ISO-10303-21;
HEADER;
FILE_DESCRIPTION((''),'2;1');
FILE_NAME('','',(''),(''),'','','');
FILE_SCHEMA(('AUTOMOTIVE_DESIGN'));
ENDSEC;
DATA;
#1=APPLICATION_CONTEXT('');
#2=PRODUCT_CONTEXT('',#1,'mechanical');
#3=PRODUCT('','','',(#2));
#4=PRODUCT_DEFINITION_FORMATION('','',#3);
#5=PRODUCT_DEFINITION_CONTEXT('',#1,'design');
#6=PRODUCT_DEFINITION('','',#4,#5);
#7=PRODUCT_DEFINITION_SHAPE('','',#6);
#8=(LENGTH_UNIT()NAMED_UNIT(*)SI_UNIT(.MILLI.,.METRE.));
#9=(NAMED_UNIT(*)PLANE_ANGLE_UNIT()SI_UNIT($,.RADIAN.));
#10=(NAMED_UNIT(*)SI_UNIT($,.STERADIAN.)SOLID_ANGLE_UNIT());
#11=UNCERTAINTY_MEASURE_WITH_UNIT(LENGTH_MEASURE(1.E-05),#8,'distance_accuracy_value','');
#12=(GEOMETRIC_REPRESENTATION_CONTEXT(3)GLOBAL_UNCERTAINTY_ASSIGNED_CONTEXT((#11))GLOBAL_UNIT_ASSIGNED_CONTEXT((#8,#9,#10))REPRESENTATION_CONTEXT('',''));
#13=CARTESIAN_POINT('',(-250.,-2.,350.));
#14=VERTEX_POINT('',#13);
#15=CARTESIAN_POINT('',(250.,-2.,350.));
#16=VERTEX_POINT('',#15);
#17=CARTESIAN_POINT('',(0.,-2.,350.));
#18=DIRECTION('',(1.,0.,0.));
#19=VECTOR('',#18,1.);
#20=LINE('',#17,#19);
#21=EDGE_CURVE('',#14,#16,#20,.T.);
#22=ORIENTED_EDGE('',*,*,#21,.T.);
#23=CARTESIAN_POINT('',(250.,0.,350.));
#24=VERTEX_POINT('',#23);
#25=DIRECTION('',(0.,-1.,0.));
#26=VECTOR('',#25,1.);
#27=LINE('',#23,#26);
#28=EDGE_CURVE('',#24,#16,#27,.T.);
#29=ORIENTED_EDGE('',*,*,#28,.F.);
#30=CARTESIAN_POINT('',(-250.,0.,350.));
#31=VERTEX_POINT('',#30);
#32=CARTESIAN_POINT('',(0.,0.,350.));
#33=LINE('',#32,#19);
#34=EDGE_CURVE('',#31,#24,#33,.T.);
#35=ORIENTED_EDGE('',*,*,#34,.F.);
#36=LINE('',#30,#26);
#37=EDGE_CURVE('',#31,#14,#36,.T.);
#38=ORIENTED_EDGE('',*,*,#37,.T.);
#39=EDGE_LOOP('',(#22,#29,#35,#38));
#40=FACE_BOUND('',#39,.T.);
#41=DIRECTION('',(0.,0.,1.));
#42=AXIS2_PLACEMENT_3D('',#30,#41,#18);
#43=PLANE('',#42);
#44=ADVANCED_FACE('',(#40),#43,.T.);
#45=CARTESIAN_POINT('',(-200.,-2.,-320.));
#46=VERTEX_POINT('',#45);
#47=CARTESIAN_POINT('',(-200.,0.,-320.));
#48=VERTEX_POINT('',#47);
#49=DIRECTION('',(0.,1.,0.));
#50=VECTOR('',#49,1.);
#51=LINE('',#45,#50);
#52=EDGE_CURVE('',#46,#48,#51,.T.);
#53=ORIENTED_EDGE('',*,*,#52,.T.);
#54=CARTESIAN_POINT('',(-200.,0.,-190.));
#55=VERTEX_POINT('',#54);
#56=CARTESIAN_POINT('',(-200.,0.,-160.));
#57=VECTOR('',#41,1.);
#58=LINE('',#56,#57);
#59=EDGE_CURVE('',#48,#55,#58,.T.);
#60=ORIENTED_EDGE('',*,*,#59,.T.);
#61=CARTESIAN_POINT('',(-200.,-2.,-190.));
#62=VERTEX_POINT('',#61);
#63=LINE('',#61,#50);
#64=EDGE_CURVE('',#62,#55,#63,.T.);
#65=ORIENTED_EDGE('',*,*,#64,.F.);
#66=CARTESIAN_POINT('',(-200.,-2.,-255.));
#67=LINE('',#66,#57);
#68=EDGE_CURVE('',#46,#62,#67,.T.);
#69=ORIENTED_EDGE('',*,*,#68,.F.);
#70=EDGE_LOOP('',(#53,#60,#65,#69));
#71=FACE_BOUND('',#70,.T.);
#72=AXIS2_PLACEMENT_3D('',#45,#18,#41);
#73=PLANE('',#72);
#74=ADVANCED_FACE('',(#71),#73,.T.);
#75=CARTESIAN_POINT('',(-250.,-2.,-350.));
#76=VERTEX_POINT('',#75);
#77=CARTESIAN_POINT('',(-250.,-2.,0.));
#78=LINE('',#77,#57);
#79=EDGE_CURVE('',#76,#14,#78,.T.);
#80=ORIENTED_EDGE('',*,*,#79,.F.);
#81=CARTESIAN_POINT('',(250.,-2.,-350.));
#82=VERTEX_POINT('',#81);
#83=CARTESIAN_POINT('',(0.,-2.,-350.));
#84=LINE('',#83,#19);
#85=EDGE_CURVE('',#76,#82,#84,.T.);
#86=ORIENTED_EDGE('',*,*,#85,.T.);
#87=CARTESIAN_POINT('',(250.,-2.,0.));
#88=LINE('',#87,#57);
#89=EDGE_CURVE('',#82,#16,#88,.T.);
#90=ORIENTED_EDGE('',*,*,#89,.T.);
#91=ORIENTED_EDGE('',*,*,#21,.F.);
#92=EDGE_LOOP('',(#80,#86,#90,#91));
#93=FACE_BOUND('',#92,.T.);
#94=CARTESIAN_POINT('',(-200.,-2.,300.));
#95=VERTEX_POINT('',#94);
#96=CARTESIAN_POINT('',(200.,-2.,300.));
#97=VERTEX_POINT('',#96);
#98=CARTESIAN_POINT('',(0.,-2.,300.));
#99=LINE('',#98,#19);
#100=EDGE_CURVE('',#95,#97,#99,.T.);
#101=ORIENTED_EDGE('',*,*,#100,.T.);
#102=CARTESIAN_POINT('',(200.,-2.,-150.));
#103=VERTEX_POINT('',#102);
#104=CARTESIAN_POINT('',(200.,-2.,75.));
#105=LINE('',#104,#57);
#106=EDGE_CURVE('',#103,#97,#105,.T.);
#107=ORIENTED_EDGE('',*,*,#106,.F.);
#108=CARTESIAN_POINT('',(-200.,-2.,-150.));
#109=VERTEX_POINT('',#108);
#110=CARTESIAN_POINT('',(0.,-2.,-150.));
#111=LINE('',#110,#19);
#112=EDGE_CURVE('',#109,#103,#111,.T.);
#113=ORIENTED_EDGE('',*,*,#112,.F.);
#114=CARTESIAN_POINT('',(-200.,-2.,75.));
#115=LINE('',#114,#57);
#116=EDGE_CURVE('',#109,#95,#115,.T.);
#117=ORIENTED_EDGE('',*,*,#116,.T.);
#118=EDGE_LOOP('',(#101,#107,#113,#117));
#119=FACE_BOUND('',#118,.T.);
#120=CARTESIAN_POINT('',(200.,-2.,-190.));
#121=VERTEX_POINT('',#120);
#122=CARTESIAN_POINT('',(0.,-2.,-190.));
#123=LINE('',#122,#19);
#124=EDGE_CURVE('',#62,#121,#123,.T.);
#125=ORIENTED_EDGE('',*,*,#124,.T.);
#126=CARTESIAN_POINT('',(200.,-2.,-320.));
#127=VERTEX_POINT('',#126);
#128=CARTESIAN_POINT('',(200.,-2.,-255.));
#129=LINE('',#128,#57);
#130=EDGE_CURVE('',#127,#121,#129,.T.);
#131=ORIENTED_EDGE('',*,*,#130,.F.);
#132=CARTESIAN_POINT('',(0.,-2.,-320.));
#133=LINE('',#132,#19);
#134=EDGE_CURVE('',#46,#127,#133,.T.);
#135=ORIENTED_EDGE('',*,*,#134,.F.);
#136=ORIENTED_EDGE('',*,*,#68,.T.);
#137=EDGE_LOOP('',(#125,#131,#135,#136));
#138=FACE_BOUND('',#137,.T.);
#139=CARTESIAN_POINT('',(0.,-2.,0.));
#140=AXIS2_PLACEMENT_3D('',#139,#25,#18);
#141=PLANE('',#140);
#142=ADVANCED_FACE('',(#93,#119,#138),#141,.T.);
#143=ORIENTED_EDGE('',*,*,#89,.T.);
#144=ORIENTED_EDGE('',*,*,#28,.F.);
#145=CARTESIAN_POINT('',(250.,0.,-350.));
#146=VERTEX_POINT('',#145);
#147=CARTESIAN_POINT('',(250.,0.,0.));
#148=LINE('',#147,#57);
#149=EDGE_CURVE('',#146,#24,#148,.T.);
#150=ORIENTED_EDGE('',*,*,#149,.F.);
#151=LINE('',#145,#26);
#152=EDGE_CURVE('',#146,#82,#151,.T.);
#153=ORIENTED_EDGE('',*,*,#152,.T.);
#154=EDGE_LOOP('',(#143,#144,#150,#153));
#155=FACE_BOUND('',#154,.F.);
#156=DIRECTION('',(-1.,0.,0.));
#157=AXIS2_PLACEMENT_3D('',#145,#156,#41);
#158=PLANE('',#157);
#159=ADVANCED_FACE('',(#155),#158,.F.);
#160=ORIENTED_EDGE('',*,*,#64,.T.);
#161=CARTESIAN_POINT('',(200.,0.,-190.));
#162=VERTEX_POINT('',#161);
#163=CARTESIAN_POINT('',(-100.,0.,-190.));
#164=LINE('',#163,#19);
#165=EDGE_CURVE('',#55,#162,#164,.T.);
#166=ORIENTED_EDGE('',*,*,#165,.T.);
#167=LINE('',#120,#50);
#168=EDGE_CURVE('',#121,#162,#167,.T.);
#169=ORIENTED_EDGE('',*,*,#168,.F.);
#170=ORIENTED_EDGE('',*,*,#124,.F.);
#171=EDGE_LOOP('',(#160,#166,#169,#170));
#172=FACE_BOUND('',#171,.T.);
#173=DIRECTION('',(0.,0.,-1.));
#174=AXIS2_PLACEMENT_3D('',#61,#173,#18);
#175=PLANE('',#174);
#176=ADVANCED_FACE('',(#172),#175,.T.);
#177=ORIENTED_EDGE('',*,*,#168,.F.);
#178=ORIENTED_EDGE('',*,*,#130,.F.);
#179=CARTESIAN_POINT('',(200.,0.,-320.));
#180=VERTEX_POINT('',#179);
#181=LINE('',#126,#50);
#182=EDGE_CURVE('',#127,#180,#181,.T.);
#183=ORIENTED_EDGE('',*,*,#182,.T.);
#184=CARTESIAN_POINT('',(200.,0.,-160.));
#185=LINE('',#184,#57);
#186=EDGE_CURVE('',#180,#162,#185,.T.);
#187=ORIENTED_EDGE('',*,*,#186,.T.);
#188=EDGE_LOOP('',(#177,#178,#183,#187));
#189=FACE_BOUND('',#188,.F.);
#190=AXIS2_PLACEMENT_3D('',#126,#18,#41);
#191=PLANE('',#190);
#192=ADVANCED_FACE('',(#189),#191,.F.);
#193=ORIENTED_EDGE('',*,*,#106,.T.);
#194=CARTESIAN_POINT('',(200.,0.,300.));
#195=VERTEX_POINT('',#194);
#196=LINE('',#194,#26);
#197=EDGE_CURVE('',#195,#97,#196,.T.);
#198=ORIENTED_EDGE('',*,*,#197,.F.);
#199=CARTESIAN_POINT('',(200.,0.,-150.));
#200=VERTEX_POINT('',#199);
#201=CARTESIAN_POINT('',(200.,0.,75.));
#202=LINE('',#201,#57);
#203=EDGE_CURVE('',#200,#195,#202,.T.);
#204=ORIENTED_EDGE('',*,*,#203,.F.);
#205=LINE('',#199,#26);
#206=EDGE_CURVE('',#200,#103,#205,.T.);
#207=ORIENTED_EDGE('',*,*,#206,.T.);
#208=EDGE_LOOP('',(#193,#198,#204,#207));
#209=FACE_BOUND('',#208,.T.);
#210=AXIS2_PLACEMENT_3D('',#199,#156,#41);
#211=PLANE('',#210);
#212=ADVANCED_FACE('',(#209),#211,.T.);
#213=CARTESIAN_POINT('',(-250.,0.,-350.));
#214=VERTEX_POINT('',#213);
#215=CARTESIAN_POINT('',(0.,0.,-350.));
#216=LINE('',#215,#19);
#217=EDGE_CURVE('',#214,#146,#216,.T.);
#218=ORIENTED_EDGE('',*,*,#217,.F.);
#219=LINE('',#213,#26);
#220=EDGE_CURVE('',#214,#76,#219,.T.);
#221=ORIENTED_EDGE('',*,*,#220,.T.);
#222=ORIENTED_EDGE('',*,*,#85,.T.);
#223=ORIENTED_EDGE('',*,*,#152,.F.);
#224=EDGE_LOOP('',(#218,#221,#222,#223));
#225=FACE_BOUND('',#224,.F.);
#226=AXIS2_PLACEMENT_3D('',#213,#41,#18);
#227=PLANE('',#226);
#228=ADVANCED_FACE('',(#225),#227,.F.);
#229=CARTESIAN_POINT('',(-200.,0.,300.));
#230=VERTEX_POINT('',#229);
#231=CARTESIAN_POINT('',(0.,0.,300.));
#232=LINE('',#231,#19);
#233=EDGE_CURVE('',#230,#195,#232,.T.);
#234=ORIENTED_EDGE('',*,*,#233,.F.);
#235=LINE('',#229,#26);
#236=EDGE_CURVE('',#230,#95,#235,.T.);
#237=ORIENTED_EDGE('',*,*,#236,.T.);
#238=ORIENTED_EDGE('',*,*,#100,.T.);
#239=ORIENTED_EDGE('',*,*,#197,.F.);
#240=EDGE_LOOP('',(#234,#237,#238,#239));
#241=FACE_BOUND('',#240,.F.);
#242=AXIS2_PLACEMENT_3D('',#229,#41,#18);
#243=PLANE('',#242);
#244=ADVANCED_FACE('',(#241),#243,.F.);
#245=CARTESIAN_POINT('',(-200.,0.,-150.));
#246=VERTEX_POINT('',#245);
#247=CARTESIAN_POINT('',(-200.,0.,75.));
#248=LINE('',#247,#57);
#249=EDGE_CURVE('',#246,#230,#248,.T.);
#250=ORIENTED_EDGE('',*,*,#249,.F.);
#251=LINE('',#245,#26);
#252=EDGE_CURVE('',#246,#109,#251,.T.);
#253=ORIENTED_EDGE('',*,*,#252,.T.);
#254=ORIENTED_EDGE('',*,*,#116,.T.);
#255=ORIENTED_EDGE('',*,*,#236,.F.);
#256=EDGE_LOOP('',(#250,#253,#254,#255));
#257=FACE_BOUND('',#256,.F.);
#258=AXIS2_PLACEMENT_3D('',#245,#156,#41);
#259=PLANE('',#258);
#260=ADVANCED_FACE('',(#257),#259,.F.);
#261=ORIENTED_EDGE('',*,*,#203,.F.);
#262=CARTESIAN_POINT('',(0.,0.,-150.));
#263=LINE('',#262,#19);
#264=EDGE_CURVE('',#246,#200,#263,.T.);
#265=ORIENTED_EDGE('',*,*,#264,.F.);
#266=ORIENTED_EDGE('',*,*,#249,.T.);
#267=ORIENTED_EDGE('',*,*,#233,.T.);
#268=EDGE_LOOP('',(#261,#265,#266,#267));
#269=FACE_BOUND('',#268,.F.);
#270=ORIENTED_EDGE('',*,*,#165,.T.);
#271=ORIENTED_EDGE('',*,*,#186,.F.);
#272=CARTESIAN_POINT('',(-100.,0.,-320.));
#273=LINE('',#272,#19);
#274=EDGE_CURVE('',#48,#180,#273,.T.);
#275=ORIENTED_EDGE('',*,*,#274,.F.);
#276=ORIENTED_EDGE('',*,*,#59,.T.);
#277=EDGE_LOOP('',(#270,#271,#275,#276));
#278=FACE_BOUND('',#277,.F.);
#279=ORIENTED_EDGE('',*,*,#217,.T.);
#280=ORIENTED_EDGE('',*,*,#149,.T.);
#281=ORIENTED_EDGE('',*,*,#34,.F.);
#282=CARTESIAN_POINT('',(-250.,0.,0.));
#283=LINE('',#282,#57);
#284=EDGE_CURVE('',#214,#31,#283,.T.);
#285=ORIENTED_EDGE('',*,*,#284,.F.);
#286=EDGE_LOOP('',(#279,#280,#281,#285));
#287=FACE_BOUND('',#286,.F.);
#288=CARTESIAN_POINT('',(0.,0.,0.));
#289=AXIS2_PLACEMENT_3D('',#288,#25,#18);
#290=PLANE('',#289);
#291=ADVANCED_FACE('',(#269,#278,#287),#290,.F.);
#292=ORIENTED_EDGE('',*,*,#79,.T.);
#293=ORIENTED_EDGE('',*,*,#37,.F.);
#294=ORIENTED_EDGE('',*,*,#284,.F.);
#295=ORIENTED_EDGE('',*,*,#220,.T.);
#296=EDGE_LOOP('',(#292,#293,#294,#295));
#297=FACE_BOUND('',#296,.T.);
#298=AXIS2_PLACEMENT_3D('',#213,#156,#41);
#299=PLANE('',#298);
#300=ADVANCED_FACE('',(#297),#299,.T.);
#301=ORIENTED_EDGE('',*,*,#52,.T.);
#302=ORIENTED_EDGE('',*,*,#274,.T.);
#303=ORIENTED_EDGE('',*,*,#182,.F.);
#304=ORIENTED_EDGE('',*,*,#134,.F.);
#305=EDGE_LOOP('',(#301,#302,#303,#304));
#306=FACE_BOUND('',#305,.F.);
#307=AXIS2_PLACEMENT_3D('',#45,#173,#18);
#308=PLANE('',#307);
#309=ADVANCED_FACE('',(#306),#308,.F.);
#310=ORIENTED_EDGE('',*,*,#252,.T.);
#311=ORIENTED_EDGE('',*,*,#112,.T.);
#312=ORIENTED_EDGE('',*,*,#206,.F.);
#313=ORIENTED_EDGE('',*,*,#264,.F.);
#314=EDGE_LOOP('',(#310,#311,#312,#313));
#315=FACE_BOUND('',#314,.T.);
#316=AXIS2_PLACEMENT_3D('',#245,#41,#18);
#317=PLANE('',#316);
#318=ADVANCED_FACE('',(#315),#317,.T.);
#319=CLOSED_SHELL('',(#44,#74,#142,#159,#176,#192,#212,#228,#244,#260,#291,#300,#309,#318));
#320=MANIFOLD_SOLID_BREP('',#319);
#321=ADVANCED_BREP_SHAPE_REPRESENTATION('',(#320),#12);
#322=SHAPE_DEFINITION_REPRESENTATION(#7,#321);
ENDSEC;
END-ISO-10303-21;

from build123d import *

# Parameters (mm, degrees)
F0_W     = 500
F0_H     = 700
F0_W_2   = 400
F0_H_2   = 450
F1_DEPTH = 2
F2_W     = 400
F2_H     = 130
F3_DEPTH = 4


with BuildPart() as f1:
    # F0 (on Front) → F1 (new body)
    with BuildSketch(Plane.XZ):
        Rectangle(F0_W, F0_H)
        with Locations((0, 75)):
            Rectangle(F0_W_2, F0_H_2, mode=Mode.SUBTRACT)
    extrude(amount=F1_DEPTH)

    # F2 (on face) → F3 (cut)
    with BuildSketch(Plane.XZ.offset(2)):
        with Locations((0, -255)):
            Rectangle(F2_W, F2_H)
    extrude(amount=-F3_DEPTH, mode=Mode.SUBTRACT)


solid = f1.part
